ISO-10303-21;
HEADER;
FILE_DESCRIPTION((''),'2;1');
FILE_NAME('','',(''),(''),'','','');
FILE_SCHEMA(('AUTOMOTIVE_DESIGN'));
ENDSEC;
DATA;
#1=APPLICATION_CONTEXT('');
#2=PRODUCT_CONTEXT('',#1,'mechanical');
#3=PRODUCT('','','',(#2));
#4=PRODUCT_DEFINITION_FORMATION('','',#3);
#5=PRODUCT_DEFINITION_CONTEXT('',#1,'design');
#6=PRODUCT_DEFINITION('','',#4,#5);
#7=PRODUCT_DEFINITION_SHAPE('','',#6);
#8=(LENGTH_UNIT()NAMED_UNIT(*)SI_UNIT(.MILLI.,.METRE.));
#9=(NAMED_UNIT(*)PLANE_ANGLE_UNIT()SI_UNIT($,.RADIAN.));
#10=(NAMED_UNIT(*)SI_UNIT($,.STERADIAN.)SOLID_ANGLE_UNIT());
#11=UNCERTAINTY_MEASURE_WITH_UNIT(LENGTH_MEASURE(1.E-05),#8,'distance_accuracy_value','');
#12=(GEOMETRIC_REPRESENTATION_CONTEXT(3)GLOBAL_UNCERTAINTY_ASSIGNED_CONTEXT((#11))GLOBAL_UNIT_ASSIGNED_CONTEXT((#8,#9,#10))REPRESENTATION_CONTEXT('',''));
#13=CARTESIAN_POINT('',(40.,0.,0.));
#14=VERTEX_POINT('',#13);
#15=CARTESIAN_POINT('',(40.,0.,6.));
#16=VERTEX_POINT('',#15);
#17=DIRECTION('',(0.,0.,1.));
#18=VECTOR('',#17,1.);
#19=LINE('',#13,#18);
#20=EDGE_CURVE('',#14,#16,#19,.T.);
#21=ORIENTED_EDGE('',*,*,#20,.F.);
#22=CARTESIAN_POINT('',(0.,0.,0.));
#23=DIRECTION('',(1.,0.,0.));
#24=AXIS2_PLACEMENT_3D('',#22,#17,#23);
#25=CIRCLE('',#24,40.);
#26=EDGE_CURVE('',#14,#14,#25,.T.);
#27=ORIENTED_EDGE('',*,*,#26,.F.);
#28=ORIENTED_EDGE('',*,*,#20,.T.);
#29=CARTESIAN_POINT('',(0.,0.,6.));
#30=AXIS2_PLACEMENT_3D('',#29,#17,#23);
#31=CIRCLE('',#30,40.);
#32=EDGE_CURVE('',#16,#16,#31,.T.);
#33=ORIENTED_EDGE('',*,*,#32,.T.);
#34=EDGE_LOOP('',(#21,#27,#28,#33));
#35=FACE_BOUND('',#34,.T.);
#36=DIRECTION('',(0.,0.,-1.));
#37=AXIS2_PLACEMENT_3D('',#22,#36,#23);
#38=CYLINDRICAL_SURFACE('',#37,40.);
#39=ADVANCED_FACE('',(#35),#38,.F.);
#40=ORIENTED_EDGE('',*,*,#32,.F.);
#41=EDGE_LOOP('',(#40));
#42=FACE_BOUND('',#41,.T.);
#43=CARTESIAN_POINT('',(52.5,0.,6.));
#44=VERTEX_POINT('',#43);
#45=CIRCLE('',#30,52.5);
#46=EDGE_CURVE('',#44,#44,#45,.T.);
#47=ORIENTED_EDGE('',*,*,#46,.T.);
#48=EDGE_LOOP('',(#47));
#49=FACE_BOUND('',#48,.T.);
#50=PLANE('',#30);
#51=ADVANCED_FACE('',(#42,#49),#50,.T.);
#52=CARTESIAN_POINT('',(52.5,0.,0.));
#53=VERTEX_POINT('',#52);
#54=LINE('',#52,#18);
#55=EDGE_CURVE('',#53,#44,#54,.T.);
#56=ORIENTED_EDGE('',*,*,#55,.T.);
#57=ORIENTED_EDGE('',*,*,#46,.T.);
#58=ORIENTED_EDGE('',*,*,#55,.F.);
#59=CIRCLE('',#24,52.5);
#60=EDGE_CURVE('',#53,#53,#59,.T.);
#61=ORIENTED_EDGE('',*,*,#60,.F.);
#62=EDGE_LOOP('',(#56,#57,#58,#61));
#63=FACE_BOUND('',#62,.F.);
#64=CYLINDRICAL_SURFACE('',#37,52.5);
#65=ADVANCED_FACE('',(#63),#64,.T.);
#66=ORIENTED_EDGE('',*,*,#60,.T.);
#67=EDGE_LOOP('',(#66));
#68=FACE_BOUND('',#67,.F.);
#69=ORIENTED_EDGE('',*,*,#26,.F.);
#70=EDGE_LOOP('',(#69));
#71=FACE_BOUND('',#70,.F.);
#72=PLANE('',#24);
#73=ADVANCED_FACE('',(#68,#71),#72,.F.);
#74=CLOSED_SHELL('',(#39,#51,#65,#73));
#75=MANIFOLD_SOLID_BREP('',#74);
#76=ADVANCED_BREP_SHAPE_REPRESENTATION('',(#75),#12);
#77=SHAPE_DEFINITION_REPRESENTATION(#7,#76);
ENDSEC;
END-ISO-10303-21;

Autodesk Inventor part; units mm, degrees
ref_plane "YZ Plane" through (0, 0, 0) normal (1, 0, 0) x (0, 1, 0)
ref_plane "XZ Plane" through (0, 0, 0) normal (0, 1, 0) x (-1, 0, 0)
ref_plane "XY Plane" through (0, 0, 0) normal (0, 0, 1) x (1, 0, 0)
sketch "Sketch1" plane through (0, 0, 0) normal (0, 0, 1) x (1, 0, 0)
  circle A0 centre (0, 0) radius 40
  circle A1 centre (0, 0) radius 52.5
  dimension "d0" = 80
  dimension "d1" = 105
extrude "Extrusion1" add sketch "Sketch1" along normal blind 6
properties part number "AXK80105 2AS" material "Stainless Steel"
